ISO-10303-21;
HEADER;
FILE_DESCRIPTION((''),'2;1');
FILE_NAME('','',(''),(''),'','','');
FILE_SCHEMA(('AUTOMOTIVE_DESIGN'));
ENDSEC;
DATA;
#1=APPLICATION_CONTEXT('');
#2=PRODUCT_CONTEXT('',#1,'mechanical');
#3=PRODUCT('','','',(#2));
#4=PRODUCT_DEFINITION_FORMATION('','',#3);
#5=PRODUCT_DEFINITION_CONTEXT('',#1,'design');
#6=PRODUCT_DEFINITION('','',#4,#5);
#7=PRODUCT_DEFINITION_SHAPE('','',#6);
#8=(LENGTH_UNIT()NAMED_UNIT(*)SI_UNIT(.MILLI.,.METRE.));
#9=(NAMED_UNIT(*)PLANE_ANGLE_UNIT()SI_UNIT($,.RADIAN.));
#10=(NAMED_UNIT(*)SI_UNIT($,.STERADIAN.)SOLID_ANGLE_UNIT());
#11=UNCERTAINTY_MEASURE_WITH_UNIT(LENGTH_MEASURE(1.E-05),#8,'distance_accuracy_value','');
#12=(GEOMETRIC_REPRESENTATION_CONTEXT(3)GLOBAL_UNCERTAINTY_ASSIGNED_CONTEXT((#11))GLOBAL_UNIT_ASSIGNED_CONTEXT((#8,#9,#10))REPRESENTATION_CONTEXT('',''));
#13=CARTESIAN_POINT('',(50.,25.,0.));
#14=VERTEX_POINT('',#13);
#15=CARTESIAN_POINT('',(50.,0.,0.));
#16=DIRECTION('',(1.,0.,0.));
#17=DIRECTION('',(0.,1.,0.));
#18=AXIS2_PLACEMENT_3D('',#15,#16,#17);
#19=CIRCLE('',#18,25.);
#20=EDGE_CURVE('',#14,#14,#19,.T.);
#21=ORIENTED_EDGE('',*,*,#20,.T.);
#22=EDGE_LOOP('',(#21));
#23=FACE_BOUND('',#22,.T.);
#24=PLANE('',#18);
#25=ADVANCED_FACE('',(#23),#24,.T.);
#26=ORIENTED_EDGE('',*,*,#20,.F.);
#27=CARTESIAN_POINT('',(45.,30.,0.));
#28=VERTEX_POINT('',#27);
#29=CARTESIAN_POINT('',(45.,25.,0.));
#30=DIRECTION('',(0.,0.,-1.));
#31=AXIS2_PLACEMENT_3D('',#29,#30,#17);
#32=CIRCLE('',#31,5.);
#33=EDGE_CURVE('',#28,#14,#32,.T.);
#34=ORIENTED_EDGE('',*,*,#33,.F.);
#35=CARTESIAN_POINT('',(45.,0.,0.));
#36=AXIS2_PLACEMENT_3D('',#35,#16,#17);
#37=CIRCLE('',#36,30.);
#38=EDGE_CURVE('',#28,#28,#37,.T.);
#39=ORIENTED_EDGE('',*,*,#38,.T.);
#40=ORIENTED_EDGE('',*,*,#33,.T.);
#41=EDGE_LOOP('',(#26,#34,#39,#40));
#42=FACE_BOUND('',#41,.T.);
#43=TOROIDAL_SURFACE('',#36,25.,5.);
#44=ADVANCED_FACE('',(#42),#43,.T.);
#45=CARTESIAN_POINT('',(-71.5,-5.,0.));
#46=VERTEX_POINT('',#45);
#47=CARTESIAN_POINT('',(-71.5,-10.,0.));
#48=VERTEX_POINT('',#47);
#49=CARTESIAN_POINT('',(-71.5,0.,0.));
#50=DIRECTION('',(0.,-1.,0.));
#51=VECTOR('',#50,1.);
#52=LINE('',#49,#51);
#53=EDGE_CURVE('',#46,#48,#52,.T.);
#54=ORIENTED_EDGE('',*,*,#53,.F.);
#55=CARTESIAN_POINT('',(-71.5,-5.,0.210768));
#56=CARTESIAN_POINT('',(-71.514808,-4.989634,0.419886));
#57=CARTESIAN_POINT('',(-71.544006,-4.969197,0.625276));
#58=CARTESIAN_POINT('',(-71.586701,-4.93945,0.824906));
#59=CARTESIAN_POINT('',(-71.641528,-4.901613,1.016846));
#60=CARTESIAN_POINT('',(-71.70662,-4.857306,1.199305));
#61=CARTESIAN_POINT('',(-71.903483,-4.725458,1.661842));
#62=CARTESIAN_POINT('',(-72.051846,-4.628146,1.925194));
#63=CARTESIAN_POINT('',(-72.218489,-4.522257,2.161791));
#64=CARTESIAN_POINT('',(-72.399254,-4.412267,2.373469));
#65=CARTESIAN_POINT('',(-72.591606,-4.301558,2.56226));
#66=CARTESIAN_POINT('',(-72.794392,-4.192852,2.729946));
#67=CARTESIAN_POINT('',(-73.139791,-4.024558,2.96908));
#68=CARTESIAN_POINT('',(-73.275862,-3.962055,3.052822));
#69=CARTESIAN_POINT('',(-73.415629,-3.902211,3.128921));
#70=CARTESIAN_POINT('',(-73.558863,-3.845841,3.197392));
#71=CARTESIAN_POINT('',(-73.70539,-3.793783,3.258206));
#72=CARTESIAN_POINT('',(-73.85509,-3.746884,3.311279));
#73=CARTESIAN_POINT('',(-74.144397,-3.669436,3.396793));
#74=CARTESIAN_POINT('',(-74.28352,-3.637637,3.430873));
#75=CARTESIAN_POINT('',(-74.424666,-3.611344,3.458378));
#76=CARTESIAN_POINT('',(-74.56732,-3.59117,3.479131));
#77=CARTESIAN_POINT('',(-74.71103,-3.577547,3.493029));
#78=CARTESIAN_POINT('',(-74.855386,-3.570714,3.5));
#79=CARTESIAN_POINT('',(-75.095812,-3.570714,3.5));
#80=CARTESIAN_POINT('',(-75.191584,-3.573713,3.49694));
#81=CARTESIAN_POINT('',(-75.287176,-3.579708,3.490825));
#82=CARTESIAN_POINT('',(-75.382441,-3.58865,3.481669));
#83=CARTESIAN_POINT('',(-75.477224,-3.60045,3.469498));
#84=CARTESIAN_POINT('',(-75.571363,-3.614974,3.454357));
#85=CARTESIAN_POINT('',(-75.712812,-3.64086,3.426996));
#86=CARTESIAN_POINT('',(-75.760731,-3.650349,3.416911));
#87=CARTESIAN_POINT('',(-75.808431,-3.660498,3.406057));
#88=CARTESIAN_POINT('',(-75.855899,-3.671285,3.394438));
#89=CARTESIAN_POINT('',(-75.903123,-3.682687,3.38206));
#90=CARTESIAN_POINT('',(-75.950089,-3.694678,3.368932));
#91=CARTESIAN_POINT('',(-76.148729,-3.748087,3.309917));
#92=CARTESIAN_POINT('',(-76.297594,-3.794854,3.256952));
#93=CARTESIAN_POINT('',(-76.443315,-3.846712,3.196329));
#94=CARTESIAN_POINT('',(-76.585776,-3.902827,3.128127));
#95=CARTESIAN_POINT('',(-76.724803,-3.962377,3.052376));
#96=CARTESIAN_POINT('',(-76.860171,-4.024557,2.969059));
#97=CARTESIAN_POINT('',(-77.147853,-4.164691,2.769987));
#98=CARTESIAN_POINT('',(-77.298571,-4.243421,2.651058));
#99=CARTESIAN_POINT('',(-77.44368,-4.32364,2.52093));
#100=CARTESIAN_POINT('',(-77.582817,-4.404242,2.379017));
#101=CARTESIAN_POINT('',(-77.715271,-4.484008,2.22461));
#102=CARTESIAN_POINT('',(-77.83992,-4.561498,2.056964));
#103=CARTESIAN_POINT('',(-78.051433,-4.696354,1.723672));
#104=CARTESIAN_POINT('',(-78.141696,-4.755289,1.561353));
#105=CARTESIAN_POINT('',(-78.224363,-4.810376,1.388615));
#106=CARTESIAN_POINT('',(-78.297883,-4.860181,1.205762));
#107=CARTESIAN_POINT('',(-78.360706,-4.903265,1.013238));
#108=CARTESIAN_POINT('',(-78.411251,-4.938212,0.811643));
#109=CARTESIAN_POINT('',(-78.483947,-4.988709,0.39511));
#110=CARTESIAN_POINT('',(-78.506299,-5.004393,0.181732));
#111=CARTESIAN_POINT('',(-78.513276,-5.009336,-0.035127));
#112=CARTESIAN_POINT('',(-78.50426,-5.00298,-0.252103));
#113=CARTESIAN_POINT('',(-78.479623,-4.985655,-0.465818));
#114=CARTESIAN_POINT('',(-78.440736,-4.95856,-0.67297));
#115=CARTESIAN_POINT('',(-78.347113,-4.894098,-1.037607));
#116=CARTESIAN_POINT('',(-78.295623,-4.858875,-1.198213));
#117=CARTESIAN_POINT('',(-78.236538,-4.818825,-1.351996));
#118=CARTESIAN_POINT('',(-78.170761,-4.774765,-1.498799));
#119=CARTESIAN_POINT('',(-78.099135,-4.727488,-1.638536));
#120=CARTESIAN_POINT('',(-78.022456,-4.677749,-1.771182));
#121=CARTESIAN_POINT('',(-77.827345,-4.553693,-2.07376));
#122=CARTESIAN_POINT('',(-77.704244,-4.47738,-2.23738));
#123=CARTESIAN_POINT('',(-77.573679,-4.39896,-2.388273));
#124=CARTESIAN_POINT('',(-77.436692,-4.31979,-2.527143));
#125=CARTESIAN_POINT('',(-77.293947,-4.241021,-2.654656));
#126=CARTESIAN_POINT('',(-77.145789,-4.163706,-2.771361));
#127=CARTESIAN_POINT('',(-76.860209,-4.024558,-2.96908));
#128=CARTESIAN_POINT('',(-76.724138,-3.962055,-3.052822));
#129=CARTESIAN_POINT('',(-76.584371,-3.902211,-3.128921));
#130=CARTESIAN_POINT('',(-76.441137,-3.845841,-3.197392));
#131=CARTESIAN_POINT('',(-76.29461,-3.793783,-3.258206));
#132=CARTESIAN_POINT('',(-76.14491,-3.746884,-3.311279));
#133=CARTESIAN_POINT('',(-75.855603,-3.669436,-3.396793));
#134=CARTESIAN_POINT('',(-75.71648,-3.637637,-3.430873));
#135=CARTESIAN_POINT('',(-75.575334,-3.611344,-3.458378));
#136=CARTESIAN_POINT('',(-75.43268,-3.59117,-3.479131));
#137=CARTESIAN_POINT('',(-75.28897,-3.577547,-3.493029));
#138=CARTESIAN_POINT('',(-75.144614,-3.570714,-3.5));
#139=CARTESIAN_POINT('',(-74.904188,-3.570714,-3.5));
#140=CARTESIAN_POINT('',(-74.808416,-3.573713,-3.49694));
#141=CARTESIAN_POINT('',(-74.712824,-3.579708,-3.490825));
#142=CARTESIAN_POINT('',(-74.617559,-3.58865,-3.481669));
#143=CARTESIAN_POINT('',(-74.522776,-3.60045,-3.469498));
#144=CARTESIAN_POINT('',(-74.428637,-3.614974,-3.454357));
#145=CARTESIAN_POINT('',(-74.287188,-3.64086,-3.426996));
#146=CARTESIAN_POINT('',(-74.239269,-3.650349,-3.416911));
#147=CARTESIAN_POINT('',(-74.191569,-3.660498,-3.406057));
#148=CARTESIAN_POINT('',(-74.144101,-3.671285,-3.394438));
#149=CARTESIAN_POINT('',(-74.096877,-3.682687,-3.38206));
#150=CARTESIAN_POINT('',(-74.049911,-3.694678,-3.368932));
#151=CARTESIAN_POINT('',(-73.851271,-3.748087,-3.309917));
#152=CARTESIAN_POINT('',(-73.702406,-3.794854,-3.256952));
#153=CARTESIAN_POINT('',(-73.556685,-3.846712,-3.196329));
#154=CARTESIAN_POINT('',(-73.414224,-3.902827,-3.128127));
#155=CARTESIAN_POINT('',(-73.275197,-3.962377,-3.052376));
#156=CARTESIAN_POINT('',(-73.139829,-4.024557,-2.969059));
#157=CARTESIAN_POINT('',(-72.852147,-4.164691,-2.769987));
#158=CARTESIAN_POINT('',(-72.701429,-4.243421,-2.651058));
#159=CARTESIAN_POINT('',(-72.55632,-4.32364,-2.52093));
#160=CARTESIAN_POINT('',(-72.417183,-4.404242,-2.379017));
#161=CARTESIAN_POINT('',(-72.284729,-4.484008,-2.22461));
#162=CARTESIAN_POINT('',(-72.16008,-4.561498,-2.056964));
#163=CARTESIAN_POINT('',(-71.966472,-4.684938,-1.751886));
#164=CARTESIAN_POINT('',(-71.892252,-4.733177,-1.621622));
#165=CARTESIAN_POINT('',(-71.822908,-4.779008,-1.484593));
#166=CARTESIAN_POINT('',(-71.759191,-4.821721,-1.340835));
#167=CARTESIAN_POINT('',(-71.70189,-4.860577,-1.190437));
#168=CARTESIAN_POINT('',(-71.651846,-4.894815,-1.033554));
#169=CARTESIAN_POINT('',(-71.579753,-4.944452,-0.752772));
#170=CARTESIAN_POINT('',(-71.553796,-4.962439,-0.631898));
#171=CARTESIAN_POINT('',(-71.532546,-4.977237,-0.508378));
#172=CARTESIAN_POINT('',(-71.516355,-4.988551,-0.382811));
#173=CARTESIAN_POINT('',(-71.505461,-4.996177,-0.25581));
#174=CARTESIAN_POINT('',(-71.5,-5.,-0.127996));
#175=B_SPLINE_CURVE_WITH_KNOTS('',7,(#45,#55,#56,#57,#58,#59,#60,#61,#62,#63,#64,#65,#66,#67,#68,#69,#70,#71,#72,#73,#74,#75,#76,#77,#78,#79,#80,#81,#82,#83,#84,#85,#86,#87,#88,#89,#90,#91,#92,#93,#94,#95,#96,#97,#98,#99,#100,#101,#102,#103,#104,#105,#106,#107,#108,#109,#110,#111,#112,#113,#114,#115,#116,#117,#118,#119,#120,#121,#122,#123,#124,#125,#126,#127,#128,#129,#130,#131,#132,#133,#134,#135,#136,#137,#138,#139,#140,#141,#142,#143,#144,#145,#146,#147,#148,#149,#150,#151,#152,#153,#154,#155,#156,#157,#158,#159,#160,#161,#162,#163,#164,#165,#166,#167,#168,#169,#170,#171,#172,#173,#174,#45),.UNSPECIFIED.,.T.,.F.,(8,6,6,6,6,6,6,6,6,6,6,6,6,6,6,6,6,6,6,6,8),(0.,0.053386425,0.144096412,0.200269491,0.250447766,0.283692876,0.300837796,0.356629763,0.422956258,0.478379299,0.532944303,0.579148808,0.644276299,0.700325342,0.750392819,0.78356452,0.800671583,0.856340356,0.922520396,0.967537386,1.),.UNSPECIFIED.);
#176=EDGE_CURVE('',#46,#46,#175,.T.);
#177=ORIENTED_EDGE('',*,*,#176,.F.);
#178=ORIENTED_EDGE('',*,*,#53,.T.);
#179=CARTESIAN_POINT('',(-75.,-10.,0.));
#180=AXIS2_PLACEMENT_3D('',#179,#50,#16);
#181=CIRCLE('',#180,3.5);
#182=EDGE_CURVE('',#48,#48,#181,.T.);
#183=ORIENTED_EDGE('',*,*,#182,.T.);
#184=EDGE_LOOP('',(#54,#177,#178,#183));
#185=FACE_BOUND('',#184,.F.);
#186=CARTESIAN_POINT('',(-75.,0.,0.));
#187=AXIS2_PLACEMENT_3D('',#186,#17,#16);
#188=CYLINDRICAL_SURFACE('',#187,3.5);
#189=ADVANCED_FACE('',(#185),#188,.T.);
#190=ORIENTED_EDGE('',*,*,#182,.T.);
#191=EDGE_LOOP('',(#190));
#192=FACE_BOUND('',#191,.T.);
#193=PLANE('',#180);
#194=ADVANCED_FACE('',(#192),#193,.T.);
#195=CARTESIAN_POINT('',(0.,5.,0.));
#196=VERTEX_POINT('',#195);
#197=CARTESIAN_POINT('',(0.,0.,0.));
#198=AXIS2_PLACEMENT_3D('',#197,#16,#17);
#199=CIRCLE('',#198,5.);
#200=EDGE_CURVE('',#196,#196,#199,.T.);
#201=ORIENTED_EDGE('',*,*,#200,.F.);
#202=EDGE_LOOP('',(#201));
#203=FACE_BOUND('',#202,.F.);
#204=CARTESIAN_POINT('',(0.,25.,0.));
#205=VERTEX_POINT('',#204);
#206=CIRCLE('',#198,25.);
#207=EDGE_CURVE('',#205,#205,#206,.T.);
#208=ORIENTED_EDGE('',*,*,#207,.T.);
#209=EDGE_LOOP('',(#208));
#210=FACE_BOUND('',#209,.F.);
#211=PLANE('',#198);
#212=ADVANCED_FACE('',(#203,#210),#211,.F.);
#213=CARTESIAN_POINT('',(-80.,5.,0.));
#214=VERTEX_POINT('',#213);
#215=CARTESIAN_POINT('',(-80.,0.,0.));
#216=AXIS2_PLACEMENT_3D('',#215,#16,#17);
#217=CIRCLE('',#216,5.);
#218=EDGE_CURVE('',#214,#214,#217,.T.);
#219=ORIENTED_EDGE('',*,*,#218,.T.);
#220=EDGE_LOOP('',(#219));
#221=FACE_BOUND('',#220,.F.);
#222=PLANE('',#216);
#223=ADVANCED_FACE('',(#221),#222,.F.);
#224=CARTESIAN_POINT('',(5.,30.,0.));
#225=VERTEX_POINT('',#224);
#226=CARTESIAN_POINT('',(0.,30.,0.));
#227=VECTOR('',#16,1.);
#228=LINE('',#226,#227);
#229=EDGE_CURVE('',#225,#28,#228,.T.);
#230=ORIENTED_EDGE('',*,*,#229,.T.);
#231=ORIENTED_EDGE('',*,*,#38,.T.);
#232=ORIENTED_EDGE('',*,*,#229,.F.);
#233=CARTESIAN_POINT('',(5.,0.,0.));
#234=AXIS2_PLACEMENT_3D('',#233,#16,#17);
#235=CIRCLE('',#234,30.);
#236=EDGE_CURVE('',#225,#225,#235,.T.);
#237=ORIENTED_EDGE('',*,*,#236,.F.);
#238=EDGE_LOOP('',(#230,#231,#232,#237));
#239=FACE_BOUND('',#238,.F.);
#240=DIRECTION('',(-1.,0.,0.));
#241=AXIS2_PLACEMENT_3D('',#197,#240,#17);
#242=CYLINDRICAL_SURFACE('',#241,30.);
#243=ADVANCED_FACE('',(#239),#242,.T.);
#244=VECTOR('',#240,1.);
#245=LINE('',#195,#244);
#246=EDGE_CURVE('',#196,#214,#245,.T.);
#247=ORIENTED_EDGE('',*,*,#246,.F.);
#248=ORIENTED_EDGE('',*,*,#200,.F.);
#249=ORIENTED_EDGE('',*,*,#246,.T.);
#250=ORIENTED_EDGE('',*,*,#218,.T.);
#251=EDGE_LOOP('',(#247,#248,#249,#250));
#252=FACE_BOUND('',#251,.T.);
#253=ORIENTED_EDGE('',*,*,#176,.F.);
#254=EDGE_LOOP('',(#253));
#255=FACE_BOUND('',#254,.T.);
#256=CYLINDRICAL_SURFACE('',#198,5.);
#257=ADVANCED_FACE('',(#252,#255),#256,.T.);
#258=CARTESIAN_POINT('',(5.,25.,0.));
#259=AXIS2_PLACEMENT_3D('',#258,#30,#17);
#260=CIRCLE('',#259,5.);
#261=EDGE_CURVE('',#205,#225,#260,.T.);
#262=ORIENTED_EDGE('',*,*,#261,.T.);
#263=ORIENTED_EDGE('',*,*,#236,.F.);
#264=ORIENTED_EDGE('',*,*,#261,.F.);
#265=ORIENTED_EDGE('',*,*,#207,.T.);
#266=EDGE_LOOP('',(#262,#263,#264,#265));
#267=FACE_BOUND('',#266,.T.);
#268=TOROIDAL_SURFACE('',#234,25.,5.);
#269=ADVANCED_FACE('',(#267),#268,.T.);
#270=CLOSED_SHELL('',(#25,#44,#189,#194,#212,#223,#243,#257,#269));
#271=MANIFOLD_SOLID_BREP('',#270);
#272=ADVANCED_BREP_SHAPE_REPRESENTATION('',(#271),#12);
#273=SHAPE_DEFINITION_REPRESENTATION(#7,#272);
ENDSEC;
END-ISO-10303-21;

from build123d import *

# Parameters (mm, degrees)
F0_R     = 30
F1_DEPTH = 50
F2_R     = 5
F3_DEPTH = 80
F4_R     = 3.5
F5_DEPTH = 10
F6_R     = 5


with BuildPart() as f1:
    # F0 (on Right) → F1 (new body)
    with BuildSketch(Plane.YZ):
        Circle(F0_R)
    extrude(amount=F1_DEPTH)

    # F2 (on Right) → F3 (join)
    with BuildSketch(Plane.YZ):
        Circle(F2_R)
    extrude(amount=-F3_DEPTH)

    # F4 (on Front) → F5 (join)
    with BuildSketch(Plane.XZ):
        with Locations((-75, 0)):
            Circle(F4_R)
    extrude(amount=F5_DEPTH)

    # F6
    f6_edges = [f1.edges().sort_by_distance(p)[0] for p in [
        (50, -30, 0),
        (0, -30, 0),
    ]]
    fillet(f6_edges, radius=F6_R)


solid = f1.part
